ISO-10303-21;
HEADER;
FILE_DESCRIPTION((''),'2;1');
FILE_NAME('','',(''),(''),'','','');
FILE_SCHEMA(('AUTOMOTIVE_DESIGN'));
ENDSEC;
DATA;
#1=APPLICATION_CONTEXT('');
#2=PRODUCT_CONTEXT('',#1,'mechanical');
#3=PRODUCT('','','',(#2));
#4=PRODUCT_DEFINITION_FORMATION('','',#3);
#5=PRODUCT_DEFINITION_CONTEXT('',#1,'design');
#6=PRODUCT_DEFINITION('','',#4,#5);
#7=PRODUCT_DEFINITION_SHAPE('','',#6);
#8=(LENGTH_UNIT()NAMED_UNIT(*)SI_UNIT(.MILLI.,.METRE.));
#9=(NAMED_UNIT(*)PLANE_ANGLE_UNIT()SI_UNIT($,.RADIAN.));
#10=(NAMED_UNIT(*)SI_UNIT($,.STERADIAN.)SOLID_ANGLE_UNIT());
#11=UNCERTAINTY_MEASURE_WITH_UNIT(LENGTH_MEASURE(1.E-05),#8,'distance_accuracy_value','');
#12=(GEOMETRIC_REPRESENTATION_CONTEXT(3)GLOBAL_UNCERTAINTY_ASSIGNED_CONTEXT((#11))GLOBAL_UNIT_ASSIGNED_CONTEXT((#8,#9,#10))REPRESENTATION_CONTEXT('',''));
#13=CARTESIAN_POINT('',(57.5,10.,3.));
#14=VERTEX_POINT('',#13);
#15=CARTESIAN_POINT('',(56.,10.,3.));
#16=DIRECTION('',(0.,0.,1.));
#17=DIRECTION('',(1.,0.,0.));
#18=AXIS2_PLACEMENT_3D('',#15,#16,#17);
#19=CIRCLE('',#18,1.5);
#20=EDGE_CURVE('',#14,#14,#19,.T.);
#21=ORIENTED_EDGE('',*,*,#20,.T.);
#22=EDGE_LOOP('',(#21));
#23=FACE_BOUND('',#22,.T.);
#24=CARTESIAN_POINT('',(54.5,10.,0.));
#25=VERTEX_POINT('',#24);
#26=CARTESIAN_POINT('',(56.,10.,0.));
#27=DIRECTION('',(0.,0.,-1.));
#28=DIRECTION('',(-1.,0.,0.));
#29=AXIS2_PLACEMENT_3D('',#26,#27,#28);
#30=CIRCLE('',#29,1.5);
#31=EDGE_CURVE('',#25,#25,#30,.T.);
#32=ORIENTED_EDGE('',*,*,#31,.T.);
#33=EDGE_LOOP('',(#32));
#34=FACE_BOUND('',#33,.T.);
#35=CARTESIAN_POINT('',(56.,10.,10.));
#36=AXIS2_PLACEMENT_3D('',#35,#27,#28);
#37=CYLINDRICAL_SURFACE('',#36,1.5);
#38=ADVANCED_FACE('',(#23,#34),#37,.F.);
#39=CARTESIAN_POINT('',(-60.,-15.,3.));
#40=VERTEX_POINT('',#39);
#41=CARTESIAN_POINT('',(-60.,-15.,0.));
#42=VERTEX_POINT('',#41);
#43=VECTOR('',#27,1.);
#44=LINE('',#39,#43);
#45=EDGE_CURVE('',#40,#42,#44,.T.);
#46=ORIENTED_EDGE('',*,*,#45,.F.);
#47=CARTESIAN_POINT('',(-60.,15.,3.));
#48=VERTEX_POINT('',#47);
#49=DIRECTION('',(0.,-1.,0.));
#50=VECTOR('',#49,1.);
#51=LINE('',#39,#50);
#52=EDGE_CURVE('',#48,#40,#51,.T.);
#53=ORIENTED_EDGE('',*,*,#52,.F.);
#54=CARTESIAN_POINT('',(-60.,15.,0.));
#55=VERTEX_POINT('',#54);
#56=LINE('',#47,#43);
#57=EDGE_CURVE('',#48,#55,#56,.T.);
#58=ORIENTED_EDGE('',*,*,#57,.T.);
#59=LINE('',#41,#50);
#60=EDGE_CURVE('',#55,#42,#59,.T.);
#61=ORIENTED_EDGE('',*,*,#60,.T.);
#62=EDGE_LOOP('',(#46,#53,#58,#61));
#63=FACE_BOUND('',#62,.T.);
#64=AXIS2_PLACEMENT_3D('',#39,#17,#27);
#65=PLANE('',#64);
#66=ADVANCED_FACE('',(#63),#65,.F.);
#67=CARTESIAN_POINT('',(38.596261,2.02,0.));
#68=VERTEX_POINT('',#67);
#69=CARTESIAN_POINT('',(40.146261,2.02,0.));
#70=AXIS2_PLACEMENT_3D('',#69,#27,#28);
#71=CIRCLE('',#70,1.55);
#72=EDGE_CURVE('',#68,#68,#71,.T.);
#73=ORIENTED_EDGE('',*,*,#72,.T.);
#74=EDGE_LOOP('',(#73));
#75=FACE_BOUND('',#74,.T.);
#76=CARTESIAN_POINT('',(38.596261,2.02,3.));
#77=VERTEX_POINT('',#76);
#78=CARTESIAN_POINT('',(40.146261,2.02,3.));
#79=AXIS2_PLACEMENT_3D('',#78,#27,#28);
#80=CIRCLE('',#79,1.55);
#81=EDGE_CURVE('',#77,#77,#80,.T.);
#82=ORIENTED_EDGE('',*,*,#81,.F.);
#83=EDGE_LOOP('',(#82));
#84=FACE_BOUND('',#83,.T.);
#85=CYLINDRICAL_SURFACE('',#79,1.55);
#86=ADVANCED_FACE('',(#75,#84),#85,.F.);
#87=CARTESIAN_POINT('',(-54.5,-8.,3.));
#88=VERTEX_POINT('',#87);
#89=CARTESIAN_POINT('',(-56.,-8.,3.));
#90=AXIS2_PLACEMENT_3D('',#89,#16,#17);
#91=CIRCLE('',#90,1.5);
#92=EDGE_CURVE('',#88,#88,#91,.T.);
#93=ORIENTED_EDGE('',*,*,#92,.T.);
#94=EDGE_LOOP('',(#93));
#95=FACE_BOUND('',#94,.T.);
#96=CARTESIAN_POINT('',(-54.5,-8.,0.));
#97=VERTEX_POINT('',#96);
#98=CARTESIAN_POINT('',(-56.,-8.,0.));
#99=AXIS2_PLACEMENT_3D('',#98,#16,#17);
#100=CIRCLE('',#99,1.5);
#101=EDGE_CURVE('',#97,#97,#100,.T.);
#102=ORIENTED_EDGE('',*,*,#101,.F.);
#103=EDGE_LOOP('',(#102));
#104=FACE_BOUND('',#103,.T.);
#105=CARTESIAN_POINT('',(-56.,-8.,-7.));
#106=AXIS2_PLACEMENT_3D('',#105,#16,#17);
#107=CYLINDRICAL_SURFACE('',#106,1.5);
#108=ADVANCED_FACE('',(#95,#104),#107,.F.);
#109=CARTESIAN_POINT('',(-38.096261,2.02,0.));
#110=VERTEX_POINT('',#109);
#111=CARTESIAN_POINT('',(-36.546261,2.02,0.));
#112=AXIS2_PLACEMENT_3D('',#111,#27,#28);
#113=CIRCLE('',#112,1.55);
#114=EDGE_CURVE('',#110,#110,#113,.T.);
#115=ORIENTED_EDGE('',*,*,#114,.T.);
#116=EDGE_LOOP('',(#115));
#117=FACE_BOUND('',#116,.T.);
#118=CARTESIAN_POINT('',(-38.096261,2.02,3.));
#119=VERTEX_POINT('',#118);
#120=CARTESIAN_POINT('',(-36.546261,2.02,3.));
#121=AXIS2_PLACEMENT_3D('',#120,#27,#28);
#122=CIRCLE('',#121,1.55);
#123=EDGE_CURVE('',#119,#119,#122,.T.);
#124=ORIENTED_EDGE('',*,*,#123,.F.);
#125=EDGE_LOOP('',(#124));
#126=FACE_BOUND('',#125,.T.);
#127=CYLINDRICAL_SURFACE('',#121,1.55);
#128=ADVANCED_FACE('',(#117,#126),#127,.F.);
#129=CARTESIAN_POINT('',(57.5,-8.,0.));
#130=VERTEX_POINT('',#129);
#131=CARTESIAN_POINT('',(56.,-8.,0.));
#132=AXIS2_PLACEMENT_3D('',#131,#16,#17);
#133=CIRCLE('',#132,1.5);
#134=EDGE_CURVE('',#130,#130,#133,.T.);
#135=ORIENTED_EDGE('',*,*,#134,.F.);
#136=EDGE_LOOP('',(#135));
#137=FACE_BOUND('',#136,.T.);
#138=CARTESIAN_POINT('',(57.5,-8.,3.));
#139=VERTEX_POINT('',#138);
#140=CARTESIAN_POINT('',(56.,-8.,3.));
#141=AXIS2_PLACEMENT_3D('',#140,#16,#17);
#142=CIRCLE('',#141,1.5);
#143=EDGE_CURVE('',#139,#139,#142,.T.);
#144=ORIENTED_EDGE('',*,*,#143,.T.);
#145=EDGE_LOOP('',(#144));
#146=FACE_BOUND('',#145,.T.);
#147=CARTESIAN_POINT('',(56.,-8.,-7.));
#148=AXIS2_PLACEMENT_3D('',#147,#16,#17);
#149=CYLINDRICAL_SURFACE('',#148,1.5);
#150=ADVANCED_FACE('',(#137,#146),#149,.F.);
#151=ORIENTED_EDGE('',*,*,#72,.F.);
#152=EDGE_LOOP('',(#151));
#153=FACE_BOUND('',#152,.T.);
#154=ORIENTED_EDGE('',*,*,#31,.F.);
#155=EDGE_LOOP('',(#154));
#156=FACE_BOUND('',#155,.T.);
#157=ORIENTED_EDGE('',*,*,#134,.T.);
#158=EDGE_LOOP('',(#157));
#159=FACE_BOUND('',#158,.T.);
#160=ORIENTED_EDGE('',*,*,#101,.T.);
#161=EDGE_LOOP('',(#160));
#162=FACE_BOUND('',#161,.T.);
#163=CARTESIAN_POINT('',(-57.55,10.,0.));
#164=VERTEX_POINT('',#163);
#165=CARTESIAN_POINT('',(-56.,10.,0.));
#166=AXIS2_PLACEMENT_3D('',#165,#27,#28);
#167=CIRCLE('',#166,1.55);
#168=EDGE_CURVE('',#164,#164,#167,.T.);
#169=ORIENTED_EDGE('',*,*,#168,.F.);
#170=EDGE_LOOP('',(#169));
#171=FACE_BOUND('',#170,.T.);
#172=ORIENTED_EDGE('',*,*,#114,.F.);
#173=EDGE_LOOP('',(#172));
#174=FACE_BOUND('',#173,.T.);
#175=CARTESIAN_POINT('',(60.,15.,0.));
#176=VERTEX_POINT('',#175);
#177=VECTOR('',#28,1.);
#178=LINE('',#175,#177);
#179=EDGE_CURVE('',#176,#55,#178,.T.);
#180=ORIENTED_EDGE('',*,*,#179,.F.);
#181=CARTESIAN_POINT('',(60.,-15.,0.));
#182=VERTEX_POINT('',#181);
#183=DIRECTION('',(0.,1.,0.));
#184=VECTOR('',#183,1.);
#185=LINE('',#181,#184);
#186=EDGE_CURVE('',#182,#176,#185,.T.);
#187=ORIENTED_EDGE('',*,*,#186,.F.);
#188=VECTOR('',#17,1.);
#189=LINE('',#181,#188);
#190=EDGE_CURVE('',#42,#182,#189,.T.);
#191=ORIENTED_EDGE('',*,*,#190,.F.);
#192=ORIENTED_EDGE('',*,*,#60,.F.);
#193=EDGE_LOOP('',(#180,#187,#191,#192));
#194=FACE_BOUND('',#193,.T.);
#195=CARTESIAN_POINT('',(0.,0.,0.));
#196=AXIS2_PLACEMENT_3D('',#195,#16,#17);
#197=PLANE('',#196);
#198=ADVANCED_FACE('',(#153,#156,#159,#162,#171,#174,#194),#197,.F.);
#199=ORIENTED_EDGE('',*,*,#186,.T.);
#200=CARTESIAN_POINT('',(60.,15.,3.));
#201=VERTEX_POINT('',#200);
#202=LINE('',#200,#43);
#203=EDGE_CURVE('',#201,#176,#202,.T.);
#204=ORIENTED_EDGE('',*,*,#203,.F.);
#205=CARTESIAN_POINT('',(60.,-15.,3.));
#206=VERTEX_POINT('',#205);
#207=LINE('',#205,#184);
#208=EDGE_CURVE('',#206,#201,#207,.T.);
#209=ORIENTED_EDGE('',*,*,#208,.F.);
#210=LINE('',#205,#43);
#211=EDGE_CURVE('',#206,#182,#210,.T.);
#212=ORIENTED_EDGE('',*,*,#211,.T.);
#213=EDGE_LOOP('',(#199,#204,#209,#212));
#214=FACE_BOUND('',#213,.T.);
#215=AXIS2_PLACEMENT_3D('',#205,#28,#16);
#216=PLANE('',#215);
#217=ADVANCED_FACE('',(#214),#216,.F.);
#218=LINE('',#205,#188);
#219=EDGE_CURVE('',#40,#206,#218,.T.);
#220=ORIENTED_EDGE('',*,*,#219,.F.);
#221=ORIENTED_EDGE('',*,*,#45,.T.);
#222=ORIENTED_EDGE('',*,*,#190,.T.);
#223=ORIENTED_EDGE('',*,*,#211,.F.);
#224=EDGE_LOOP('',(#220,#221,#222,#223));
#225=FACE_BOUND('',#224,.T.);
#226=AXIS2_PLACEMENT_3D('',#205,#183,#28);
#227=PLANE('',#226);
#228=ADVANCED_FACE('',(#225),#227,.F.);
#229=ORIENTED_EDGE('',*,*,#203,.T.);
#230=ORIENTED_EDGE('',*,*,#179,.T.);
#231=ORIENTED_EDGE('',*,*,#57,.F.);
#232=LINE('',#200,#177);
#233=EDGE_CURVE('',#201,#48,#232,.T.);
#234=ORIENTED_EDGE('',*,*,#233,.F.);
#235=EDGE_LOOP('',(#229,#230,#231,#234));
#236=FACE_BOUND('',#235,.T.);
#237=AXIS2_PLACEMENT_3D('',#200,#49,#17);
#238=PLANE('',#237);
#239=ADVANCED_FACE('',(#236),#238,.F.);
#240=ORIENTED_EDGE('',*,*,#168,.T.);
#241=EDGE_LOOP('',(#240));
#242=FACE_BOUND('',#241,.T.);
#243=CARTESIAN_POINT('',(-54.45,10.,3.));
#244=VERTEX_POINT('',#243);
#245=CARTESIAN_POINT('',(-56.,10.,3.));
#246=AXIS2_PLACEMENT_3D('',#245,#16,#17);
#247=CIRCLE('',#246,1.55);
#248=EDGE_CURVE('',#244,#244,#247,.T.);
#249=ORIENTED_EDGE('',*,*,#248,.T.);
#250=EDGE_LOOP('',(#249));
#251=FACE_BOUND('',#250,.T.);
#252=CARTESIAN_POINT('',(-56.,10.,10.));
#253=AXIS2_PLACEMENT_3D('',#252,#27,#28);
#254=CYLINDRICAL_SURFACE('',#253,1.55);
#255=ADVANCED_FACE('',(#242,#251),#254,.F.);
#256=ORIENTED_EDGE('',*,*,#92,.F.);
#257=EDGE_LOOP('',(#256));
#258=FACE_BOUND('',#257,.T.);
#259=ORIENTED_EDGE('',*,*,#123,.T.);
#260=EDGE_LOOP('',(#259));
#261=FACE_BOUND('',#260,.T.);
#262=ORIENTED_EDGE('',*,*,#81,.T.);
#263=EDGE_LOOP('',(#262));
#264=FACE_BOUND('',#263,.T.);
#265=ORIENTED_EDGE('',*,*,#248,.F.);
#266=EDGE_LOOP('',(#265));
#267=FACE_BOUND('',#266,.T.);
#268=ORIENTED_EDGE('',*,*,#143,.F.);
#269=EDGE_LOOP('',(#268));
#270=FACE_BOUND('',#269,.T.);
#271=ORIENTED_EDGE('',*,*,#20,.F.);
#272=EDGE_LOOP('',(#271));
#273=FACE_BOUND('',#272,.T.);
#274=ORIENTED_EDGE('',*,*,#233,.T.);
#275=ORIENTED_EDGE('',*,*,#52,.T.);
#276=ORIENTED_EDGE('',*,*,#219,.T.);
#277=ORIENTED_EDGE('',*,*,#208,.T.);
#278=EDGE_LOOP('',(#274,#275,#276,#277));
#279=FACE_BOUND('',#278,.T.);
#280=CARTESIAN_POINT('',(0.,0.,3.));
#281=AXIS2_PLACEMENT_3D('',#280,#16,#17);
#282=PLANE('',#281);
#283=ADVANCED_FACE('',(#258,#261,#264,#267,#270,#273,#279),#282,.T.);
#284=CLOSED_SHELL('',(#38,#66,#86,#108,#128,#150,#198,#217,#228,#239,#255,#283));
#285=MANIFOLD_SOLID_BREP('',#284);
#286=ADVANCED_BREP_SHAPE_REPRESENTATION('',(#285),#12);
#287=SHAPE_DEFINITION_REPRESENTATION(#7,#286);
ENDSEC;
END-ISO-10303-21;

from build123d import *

# Parameters (mm, degrees)
SKETCH_1_W          = 120
SKETCH_1_H          = 30
EXTRUDE_1_DEPTH     = 3
SKETCH_3_R          = 1.5
SKETCH_3_R_2        = 1.55
CUT_EXTRUDE_2_DEPTH = 10
SKETCH_6_R          = 1.5
CUT_EXTRUDE_3_DEPTH = 10
SKETCH_8_R          = 1.55
CUT_EXTRUDE_4_DEPTH = 62.919302322


with BuildPart() as part:
    # 草图1 → 凸台-拉伸1 (new body)
    with BuildSketch(Plane.XY):
        Rectangle(SKETCH_1_W, SKETCH_1_H)
    extrude(amount=EXTRUDE_1_DEPTH)

    # 草图3 → 切除-拉伸2 (cut)
    with BuildSketch(Plane(origin=(0, 0, 0), x_dir=(-1, 0, 0), z_dir=(0, 0, -1))):
        with Locations((-56, 10)):
            Circle(SKETCH_3_R)
        with Locations((56, 10)):
            Circle(SKETCH_3_R_2)
    extrude(amount=-CUT_EXTRUDE_2_DEPTH, mode=Mode.SUBTRACT)

    # 草图6 → 切除-拉伸3 (cut)
    with BuildSketch(Plane.XY.offset(3)):
        with Locations((-56, -8)):
            Circle(SKETCH_6_R)
        with Locations((56, -8)):
            Circle(SKETCH_6_R)
    extrude(amount=-CUT_EXTRUDE_3_DEPTH, mode=Mode.SUBTRACT)

    # 草图8 → 切除-拉伸4 (cut, through all)
    with BuildSketch(Plane(origin=(0, 0, 0), x_dir=(-1, 0, 0), z_dir=(0, 0, -1))):
        with Locations((-40.146260884, 2.02)):
            Circle(SKETCH_8_R)
        with Locations((36.546260884, 2.02)):
            Circle(SKETCH_8_R)
    extrude(amount=-CUT_EXTRUDE_4_DEPTH, mode=Mode.SUBTRACT)


solid = part.part
